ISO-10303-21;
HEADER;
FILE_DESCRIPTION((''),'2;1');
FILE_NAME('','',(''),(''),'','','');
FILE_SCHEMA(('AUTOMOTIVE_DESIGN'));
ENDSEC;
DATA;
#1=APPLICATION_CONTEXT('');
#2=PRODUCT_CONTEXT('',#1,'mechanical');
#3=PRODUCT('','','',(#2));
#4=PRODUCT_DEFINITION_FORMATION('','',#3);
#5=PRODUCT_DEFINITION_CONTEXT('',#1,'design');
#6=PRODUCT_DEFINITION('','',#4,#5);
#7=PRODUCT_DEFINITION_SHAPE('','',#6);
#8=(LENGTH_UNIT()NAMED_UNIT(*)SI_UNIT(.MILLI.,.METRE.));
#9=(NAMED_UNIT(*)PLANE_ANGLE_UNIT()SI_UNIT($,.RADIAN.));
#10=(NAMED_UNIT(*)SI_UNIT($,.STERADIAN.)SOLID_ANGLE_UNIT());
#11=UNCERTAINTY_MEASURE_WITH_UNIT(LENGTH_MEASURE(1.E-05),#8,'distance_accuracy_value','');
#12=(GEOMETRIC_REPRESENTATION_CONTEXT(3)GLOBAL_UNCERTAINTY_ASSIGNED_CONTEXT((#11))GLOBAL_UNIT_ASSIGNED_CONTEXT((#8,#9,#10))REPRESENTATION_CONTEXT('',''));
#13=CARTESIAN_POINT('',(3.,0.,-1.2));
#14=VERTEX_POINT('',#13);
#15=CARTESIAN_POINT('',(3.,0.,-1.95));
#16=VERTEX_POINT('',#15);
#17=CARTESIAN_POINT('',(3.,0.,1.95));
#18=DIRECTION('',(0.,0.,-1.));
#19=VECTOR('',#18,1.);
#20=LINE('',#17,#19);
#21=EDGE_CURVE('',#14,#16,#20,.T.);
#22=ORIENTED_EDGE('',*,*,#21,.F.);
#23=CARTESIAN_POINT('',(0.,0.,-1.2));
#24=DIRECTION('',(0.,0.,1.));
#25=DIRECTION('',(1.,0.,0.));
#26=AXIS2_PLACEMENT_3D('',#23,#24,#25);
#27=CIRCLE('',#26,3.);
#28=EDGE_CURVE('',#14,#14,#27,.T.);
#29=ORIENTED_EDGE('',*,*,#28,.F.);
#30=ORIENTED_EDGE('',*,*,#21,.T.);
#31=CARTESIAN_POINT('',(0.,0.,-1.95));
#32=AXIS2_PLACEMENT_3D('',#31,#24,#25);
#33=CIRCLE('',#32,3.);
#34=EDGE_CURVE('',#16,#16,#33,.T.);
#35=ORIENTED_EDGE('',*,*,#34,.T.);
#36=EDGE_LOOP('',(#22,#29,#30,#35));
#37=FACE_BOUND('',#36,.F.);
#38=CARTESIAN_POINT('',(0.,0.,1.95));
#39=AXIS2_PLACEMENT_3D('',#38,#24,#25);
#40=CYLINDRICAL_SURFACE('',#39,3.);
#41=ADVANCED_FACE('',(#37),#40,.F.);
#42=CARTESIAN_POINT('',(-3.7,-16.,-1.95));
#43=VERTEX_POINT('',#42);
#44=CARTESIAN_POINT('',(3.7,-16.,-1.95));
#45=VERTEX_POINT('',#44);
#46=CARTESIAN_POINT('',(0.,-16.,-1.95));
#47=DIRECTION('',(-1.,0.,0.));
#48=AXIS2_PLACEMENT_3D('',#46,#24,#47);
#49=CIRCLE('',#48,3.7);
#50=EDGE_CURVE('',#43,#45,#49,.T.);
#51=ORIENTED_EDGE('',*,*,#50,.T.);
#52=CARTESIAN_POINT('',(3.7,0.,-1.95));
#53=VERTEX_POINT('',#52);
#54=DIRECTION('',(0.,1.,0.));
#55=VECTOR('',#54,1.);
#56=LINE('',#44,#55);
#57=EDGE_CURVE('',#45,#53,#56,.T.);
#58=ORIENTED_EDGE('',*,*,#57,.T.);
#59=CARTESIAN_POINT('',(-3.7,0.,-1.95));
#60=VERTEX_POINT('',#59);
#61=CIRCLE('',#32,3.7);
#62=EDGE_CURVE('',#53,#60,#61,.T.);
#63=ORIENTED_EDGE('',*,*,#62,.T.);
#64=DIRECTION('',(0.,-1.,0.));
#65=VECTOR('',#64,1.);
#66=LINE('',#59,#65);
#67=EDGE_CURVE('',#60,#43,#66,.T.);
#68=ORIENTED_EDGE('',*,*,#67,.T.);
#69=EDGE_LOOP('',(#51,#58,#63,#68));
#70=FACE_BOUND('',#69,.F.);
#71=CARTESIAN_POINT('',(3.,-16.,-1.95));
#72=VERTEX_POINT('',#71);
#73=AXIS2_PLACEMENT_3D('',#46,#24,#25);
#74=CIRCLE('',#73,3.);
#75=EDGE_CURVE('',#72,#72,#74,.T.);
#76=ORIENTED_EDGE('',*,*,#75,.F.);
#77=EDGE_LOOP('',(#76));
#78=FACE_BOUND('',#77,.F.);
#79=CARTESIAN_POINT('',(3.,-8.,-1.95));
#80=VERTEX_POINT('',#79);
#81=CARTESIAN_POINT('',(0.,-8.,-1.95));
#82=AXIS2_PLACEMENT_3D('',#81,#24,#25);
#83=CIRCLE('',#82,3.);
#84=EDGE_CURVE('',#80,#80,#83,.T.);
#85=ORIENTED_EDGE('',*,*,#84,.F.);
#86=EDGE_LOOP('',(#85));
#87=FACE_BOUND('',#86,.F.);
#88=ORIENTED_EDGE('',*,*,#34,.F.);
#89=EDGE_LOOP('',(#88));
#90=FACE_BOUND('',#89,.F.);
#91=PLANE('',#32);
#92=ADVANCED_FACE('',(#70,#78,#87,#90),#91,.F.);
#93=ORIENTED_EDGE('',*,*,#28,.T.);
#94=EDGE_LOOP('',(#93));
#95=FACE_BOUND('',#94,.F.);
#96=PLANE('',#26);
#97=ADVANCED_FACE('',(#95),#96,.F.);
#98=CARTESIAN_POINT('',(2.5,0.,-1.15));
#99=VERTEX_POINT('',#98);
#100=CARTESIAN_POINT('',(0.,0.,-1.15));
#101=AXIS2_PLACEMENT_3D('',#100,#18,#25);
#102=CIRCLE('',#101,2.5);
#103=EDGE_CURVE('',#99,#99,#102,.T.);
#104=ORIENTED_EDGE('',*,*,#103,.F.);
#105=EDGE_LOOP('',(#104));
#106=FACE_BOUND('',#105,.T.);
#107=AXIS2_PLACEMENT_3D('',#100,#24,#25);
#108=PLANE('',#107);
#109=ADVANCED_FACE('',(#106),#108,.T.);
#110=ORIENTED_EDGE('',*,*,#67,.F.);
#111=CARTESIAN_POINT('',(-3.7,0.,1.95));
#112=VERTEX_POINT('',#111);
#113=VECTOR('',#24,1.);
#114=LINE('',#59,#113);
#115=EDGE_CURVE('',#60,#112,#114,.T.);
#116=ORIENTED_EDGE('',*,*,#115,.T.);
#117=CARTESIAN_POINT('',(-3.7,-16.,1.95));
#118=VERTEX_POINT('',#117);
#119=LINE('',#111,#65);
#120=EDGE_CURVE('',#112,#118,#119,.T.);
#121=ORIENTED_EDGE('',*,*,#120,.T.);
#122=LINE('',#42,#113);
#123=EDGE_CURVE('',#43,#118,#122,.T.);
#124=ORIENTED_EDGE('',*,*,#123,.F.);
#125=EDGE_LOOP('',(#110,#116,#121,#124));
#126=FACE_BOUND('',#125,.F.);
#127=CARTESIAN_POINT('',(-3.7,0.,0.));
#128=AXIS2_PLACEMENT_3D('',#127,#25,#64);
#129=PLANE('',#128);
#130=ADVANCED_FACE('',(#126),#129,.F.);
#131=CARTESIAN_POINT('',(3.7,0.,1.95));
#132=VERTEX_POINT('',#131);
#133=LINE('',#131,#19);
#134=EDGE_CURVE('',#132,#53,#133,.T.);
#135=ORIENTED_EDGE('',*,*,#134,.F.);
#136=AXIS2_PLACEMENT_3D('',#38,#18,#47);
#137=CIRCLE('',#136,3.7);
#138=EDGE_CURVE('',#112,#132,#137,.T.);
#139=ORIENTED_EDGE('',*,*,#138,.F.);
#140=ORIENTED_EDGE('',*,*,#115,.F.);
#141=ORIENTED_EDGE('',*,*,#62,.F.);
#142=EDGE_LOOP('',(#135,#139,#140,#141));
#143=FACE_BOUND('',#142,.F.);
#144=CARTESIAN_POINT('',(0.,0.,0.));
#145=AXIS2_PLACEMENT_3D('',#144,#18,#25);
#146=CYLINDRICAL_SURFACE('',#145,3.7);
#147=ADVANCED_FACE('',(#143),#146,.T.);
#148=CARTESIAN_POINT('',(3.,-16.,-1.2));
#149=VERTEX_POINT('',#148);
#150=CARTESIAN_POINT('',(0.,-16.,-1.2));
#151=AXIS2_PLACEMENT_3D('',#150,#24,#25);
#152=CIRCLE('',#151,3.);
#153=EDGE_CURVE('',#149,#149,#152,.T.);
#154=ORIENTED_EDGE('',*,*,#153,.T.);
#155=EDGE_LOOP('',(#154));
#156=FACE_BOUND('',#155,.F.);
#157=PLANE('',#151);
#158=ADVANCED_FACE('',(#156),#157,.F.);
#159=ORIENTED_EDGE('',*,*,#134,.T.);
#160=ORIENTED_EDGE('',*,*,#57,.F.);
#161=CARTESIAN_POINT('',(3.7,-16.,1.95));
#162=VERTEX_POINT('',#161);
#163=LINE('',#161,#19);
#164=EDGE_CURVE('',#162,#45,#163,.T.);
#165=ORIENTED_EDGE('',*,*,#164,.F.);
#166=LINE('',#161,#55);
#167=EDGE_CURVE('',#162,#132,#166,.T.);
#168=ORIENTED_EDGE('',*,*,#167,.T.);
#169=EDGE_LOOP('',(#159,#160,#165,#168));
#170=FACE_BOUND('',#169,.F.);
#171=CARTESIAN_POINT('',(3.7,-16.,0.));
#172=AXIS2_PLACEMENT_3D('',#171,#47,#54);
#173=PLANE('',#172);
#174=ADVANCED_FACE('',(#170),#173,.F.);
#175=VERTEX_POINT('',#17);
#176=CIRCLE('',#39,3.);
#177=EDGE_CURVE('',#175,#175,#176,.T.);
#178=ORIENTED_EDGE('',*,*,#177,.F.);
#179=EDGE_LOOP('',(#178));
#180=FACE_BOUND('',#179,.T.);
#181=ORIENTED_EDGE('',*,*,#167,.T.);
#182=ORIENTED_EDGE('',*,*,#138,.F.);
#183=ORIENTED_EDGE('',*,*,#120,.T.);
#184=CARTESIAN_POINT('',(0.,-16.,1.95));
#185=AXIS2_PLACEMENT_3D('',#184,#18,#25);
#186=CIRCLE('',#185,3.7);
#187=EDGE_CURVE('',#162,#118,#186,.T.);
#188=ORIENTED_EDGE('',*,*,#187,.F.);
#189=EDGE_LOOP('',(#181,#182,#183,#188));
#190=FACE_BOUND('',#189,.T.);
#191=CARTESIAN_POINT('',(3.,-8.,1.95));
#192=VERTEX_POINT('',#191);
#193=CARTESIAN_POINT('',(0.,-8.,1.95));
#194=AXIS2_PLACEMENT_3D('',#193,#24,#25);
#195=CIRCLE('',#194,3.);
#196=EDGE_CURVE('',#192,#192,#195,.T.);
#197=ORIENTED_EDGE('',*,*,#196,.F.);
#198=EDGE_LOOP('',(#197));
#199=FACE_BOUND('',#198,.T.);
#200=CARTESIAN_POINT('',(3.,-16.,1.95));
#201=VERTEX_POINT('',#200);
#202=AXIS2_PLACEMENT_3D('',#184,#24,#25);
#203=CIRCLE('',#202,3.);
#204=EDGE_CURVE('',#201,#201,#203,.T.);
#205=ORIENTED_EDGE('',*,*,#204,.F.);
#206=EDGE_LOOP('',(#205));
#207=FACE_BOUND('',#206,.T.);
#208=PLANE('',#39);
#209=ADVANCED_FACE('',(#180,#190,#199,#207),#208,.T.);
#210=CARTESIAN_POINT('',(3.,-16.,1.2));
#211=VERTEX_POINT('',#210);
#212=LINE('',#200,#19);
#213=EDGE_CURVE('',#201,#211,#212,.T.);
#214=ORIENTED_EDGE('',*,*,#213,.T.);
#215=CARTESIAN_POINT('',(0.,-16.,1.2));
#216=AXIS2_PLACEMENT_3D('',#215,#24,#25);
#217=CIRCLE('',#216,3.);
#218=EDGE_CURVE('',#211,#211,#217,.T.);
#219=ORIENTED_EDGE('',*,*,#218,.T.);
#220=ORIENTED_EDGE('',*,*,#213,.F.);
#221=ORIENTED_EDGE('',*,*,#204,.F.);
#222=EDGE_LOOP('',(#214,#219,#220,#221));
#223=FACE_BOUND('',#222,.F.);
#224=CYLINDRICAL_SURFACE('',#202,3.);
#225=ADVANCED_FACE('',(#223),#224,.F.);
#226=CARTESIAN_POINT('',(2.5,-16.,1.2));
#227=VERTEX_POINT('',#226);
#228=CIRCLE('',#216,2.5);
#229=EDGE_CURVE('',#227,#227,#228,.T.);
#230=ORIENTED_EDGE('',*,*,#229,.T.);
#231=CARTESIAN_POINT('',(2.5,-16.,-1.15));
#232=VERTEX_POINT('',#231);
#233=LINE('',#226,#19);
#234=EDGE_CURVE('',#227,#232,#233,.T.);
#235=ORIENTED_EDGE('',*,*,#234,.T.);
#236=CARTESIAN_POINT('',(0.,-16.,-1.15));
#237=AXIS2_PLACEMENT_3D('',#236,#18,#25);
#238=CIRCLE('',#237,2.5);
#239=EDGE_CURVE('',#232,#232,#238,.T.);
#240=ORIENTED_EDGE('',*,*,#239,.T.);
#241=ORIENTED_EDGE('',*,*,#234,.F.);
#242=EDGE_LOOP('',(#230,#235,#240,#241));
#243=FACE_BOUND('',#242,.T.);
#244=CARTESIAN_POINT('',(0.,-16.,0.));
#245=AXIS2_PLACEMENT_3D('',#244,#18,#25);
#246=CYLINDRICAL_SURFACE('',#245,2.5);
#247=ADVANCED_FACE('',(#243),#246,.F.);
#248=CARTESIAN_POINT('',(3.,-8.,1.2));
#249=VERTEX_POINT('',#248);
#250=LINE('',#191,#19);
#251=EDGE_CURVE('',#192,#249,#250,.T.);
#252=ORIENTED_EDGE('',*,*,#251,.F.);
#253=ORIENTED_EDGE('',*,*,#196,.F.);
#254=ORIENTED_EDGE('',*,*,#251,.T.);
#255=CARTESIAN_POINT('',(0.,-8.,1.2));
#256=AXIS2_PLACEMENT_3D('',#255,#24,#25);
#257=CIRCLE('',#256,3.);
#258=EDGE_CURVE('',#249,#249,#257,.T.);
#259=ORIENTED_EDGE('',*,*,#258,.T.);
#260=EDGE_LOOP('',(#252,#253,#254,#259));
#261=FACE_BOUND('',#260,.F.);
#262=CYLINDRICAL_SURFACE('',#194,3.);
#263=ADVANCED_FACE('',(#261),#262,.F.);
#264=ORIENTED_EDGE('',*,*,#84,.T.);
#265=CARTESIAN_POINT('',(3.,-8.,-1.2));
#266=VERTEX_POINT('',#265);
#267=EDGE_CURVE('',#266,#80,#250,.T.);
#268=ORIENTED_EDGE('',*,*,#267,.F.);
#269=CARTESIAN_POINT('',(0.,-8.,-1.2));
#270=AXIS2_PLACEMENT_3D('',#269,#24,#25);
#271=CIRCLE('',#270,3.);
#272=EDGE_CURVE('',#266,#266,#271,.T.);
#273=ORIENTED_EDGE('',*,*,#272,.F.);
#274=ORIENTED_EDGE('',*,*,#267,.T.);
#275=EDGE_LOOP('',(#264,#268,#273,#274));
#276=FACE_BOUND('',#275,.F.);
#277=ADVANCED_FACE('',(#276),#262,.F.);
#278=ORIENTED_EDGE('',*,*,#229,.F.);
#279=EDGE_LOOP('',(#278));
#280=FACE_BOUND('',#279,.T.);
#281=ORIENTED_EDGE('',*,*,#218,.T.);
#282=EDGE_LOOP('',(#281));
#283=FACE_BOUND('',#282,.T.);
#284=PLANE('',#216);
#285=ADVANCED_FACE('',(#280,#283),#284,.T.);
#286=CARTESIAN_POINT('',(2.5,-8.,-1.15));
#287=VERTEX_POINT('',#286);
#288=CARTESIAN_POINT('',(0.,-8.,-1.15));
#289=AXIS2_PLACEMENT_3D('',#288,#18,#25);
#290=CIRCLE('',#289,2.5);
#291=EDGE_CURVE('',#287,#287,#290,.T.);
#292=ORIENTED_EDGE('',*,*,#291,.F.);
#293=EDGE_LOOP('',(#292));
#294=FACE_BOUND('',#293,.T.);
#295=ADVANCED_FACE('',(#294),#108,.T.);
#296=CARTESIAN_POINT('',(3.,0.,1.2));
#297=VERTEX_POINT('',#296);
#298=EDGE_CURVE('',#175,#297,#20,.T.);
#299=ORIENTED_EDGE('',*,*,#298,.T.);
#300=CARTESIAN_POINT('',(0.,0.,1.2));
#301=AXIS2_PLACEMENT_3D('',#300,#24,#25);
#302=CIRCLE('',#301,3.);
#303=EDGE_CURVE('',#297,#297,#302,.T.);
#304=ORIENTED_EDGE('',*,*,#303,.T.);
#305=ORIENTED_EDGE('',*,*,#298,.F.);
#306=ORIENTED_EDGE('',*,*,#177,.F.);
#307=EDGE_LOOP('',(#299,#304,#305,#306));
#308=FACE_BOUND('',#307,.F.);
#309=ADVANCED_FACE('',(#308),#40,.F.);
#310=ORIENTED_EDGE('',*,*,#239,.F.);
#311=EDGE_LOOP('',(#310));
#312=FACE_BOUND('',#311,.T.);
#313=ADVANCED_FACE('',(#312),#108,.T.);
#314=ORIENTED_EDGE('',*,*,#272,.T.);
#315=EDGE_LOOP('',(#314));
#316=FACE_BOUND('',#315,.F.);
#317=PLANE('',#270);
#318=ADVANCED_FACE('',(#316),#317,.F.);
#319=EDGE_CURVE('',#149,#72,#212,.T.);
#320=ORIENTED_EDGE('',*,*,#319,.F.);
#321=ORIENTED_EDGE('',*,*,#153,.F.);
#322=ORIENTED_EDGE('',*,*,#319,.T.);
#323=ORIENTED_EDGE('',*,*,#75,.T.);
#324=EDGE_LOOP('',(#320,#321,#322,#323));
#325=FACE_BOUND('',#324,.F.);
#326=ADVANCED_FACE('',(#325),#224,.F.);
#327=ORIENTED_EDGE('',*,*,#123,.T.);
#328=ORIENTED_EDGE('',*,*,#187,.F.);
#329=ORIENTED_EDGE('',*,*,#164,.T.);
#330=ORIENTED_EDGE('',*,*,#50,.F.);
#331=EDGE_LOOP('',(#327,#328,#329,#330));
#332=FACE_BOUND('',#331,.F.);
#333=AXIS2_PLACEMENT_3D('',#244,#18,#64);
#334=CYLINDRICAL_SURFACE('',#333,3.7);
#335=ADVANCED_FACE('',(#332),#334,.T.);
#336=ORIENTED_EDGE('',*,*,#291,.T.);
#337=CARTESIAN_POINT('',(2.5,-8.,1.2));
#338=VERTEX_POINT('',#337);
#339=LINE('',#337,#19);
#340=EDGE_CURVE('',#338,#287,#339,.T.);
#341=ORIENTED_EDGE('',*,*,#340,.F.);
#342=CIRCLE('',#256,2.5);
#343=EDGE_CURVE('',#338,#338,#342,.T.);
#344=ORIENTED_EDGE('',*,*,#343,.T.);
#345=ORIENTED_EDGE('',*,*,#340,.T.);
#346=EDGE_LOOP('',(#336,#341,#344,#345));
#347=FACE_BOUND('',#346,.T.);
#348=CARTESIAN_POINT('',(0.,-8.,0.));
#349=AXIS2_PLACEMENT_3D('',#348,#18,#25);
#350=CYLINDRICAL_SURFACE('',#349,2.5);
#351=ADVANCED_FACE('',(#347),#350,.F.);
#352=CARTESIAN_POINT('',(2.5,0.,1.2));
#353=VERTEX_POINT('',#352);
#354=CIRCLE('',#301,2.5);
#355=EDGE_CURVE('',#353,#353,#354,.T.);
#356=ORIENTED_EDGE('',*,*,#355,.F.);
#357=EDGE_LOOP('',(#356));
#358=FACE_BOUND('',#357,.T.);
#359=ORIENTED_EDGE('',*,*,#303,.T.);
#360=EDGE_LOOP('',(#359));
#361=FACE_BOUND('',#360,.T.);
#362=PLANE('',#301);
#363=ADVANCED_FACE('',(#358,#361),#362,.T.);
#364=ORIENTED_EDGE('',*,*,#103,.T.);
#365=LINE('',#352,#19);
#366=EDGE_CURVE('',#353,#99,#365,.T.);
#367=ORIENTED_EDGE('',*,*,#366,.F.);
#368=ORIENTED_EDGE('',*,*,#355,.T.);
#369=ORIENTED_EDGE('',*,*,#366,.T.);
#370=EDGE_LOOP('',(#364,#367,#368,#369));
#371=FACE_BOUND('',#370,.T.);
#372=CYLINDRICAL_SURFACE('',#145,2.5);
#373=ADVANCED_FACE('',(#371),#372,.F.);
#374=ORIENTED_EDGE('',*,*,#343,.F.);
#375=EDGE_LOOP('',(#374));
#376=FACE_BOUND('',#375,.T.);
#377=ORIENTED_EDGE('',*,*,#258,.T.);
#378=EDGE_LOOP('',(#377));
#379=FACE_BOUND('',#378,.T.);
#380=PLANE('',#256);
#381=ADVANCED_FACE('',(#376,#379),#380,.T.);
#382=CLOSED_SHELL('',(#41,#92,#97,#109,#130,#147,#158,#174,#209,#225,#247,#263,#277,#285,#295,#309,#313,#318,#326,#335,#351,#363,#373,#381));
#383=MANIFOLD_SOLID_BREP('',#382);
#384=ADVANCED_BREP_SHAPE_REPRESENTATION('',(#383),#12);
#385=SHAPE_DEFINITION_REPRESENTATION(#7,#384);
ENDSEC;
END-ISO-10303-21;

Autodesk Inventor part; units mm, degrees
ref_plane "YZ Plane" through (0, 0, 0) normal (1, 0, 0) x (0, 1, 0)
ref_plane "XZ Plane" through (0, 0, 0) normal (0, 1, 0) x (-1, 0, 0)
sketch "Sketch1" plane through (0, 0, 0) normal (0, 0, 1) x (1, 0, 0)
  line L0 (0, 0) -> (1.6, 0) construction
  circle A0 centre (0, 0) radius 2.5
  circle A1 centre (0, 0) radius 3
  arc A2 (0, 3.7) -> (-3.7, 0) centre (0, 0) ccw
  line L1 (0, 0) -> (0, 3.7) construction
  line L2 (0, 3.7) -> (0, 3.7)
  arc A3 (3.7, 0) -> (0, 3.7) centre (0, 0) ccw
  line L3 (0, 0) -> (0, 0) construction
  line L4 (0, 0) -> (-3.7, 0) construction
  line L5 (-3.7, 0) -> (-3.7, -16)
  arc A4 (-3.7, -16) -> (0, -19.7) centre (0, -16) ccw
  line L6 (0, -19.7) -> (0, -19.7)
  arc A5 (0, -19.7) -> (3.7, -16) centre (0, -16) ccw
  line L7 (3.7, -16) -> (3.7, 0)
  dimension "x" = 1.6
  dimension "d1" = 5
  dimension "d2" = 6
  dimension "d3" = 3.7
  dimension "d4" = 0
  dimension "d17" = 16
extrude "Extrusion1" add sketch "Sketch1" along normal mid plane 3.9 contours A0 | A1 | A3 L7 A5 A4 L5 A2
extrude "Extrusion2" cut sketch "Sketch1" against normal up to surface (3.9 mm away) from surface at 1.95 contours A0 | A1
extrude "Extrusion3" add sketch "Sketch1" along normal mid plane 2.4 contours A1
pattern_linear "Rectangular Pattern1" count 3 spacing -8 along (0, 1, 0) of "Extrusion2", "Extrusion3"
ref_plane "Work Plane1" through (0, 0, -1.15) normal (0, 0, -1) x (-1, 0, 0)
extrude "Extrusion4" add sketch "Sketch1" along normal up to surface (0.05 mm away) from surface at -1.2 contours A0 | A1 | A3 L7 A5 A4 L5 A2
equation "\"d13\" = 5 * x"
equation "\"d20\" = -5 * x"
properties part number "LEGO technic thin liftarm"
